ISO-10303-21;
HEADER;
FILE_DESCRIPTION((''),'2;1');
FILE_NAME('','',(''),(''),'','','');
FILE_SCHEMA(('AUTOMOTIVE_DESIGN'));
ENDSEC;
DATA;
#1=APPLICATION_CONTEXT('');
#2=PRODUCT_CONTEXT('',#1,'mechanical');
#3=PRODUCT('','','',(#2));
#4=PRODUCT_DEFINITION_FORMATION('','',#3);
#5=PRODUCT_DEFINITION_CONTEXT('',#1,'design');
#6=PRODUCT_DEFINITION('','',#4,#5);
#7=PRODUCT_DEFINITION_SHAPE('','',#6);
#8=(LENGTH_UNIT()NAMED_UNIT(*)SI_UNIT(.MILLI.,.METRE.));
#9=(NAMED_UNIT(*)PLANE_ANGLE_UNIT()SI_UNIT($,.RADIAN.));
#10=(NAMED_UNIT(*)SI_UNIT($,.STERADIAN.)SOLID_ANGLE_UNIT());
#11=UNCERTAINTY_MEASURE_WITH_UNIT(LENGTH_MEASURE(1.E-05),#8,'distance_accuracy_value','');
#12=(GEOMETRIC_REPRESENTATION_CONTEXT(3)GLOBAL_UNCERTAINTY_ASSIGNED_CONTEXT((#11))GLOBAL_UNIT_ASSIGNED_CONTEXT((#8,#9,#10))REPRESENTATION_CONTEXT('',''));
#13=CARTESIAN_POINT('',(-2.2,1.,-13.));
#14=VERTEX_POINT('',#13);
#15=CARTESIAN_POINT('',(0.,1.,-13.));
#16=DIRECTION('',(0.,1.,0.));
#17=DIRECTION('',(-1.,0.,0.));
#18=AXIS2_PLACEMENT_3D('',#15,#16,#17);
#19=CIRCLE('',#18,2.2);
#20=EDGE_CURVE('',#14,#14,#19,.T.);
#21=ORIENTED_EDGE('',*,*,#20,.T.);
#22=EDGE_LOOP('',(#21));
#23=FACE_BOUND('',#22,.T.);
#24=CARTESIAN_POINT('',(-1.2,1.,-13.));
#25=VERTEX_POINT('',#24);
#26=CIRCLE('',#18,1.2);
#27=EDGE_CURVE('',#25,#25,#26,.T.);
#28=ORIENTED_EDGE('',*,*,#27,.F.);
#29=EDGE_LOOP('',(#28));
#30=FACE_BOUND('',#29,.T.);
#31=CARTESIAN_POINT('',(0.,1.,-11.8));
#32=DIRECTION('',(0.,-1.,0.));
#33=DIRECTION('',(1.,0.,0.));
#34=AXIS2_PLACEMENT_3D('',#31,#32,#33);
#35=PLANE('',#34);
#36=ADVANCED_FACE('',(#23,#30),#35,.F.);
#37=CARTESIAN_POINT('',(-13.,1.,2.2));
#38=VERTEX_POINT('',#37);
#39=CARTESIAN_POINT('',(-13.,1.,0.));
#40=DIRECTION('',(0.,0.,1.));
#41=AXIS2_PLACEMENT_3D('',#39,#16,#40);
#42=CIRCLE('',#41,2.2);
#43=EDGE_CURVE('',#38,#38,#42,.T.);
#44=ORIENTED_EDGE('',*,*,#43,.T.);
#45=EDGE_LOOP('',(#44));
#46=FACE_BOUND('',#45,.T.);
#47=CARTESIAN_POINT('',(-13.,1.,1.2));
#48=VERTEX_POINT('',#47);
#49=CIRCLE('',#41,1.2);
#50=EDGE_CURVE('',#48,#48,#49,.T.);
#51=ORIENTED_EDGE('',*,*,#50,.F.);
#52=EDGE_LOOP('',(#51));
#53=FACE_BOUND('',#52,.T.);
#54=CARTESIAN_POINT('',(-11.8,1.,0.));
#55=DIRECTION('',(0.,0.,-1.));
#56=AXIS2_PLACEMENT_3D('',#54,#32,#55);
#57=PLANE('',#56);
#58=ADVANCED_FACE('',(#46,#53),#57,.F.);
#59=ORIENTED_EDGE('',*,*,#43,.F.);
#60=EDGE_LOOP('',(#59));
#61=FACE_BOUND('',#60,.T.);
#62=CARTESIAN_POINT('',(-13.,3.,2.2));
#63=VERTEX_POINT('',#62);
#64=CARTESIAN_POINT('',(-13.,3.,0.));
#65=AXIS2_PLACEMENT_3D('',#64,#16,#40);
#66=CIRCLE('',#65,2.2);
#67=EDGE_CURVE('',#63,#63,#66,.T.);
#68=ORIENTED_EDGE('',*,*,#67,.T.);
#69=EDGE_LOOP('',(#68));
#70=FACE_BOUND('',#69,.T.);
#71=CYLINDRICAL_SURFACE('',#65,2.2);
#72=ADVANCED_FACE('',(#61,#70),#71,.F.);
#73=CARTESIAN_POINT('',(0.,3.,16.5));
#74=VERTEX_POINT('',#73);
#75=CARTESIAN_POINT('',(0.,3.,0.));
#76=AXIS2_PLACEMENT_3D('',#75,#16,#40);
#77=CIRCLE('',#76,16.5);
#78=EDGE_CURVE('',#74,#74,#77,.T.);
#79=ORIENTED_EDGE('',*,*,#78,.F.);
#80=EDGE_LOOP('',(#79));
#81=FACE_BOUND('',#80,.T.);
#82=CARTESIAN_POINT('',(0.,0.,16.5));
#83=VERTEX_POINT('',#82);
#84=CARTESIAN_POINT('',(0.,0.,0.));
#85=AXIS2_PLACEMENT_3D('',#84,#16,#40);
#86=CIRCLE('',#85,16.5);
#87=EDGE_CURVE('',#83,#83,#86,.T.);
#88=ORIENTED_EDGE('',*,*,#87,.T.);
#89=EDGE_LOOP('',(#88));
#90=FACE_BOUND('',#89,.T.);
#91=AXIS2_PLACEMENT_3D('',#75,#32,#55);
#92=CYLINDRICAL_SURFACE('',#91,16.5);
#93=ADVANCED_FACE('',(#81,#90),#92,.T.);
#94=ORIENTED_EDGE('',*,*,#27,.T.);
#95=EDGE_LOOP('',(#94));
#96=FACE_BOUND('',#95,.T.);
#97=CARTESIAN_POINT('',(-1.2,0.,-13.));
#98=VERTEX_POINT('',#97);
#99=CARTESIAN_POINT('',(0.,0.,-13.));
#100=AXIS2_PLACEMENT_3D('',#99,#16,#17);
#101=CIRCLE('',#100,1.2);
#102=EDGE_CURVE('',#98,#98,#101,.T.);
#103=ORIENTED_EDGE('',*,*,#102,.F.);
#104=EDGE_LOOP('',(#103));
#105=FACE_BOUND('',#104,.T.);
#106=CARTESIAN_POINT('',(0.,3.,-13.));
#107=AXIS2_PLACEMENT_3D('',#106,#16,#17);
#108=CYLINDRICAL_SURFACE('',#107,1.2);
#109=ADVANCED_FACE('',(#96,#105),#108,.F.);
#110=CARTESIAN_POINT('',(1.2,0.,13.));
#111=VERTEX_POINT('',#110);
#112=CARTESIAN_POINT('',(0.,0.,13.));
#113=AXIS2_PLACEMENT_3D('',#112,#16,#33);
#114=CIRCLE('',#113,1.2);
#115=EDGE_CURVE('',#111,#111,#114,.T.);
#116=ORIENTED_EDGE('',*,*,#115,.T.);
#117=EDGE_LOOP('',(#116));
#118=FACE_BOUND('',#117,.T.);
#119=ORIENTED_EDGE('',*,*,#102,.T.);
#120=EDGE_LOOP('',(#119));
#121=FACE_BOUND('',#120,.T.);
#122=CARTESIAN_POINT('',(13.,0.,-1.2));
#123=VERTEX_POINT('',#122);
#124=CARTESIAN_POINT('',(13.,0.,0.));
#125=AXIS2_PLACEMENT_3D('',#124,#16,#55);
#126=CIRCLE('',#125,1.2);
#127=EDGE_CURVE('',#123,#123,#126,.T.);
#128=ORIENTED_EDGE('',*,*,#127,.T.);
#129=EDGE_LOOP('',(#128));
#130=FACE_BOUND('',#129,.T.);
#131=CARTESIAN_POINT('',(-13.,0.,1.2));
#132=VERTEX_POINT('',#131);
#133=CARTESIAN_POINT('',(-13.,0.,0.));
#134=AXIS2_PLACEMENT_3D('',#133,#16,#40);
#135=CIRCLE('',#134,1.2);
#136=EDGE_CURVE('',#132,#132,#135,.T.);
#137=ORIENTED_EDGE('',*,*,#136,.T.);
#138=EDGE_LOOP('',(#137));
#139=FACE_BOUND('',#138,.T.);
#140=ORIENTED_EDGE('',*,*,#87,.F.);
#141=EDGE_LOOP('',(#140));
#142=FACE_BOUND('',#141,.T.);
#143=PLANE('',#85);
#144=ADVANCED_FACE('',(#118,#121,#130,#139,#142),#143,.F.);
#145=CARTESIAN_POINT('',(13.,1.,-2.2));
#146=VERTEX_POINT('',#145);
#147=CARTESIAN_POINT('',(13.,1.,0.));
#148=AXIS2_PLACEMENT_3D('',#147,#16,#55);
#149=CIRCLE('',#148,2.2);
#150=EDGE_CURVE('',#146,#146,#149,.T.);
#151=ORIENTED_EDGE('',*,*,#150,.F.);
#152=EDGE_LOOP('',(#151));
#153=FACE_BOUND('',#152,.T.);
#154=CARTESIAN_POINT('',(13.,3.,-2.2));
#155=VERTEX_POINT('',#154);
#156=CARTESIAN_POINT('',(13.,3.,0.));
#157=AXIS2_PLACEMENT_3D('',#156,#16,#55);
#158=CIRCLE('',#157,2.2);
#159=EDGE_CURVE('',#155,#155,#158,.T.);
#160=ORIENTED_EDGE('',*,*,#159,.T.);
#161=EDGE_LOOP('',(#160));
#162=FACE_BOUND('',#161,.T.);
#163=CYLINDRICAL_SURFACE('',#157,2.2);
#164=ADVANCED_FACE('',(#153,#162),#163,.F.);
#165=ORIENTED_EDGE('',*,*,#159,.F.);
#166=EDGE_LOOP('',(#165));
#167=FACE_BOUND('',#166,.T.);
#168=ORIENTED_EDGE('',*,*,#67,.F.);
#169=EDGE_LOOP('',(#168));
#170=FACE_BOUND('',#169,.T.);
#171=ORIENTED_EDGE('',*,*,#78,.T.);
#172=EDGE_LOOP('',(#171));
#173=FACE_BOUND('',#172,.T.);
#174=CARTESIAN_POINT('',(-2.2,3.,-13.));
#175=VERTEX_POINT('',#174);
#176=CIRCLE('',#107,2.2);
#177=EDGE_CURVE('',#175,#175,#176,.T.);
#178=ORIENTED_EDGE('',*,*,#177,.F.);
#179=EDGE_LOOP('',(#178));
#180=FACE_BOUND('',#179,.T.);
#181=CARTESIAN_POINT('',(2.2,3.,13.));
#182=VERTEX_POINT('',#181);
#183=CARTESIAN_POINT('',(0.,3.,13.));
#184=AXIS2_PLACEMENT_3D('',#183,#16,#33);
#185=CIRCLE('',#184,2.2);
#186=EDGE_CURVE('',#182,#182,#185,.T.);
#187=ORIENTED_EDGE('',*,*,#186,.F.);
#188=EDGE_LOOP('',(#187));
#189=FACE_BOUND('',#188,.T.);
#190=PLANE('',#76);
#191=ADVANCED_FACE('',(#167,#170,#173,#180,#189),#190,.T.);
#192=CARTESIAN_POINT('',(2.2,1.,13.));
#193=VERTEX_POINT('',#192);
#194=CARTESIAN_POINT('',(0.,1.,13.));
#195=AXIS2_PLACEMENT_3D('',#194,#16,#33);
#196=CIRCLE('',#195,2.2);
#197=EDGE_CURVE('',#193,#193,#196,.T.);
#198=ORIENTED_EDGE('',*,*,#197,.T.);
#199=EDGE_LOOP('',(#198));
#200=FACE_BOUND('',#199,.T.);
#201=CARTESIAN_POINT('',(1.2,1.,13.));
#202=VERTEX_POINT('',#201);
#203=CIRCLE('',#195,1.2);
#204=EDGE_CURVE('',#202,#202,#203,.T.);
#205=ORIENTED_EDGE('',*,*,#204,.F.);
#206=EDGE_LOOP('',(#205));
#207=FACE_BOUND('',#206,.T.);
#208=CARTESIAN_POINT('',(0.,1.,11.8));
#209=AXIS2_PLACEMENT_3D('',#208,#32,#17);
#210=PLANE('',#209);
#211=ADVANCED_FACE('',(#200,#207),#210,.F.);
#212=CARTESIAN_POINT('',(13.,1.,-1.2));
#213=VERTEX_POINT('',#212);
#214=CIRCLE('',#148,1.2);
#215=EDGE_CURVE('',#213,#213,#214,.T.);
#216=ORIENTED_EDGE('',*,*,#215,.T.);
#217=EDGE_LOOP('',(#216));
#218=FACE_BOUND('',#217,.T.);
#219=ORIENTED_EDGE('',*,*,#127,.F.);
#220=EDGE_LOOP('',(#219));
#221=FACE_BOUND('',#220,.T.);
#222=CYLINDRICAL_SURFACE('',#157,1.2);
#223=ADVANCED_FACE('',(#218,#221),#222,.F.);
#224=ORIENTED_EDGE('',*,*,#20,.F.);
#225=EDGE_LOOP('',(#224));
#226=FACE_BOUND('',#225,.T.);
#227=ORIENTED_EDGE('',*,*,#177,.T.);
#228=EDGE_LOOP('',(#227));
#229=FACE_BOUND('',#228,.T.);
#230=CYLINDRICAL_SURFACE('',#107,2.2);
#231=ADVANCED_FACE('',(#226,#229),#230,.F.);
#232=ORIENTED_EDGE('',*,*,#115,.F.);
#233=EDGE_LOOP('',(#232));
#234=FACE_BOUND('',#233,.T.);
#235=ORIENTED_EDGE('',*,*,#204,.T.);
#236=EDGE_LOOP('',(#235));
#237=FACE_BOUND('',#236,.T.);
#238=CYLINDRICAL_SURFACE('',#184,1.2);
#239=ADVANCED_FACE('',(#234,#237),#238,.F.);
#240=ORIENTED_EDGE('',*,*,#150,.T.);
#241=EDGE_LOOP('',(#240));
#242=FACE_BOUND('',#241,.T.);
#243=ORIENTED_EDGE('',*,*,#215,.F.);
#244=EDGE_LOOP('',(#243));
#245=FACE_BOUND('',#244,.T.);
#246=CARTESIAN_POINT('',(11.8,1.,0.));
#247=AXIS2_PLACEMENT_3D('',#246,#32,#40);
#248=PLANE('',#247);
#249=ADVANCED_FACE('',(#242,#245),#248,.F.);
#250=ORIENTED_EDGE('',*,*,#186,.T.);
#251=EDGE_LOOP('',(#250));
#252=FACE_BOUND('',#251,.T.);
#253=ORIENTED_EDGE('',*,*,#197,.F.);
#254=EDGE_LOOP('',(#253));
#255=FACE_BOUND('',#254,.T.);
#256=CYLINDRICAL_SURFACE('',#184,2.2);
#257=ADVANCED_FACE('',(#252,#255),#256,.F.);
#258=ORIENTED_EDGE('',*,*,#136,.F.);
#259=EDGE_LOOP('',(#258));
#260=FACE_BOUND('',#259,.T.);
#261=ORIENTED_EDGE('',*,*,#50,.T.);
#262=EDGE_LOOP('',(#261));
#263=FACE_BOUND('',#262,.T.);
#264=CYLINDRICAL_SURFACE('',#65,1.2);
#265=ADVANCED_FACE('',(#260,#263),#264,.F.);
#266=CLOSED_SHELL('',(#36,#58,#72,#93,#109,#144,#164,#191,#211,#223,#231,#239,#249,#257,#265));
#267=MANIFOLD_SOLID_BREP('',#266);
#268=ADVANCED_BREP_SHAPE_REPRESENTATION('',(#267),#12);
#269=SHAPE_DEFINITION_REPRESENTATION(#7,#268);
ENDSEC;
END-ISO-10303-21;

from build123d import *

# Parameters (mm, degrees)
SKETCH1_R                      = 16.5
BOSS_EXTRUDE1_DEPTH            = 3
CBORE_FOR_M2_SHCS1_D           = 2.4
CBORE_FOR_M2_SHCS1_CBORE_D     = 4.4
CBORE_FOR_M2_SHCS1_CBORE_DEPTH = 2
CIRPATTERN1_COUNT              = 4


with BuildPart() as part:
    # Sketch1 → Boss-Extrude1 (new body)
    with BuildSketch(Plane(origin=(0, 0, 0), x_dir=(1, 0, 0), z_dir=(0, 1, 0))):
        with Locations(Location((0, 0, 0), (0, 0, 270))):
            Circle(SKETCH1_R)
    extrude(amount=BOSS_EXTRUDE1_DEPTH)

    # CBORE for M2 SHCS1 (through all)
    with Locations(Plane(origin=(0, 3, 0), x_dir=(1, 0, 0), z_dir=(0, 1, 0))):
        with Locations((-13, 0)):
            cbore_for_m2_shcs1 = CounterBoreHole(CBORE_FOR_M2_SHCS1_D / 2, CBORE_FOR_M2_SHCS1_CBORE_D / 2, CBORE_FOR_M2_SHCS1_CBORE_DEPTH)

    # CirPattern1: CBORE for M2 SHCS1 ×4 about axis
    cirpattern1_axis = Axis((0, 0, 0), (0, 1, 0))
    for i in range(1, CIRPATTERN1_COUNT):
        add(cbore_for_m2_shcs1.rotate(cirpattern1_axis, i * 360 / CIRPATTERN1_COUNT), mode=Mode.SUBTRACT)


solid = part.part
